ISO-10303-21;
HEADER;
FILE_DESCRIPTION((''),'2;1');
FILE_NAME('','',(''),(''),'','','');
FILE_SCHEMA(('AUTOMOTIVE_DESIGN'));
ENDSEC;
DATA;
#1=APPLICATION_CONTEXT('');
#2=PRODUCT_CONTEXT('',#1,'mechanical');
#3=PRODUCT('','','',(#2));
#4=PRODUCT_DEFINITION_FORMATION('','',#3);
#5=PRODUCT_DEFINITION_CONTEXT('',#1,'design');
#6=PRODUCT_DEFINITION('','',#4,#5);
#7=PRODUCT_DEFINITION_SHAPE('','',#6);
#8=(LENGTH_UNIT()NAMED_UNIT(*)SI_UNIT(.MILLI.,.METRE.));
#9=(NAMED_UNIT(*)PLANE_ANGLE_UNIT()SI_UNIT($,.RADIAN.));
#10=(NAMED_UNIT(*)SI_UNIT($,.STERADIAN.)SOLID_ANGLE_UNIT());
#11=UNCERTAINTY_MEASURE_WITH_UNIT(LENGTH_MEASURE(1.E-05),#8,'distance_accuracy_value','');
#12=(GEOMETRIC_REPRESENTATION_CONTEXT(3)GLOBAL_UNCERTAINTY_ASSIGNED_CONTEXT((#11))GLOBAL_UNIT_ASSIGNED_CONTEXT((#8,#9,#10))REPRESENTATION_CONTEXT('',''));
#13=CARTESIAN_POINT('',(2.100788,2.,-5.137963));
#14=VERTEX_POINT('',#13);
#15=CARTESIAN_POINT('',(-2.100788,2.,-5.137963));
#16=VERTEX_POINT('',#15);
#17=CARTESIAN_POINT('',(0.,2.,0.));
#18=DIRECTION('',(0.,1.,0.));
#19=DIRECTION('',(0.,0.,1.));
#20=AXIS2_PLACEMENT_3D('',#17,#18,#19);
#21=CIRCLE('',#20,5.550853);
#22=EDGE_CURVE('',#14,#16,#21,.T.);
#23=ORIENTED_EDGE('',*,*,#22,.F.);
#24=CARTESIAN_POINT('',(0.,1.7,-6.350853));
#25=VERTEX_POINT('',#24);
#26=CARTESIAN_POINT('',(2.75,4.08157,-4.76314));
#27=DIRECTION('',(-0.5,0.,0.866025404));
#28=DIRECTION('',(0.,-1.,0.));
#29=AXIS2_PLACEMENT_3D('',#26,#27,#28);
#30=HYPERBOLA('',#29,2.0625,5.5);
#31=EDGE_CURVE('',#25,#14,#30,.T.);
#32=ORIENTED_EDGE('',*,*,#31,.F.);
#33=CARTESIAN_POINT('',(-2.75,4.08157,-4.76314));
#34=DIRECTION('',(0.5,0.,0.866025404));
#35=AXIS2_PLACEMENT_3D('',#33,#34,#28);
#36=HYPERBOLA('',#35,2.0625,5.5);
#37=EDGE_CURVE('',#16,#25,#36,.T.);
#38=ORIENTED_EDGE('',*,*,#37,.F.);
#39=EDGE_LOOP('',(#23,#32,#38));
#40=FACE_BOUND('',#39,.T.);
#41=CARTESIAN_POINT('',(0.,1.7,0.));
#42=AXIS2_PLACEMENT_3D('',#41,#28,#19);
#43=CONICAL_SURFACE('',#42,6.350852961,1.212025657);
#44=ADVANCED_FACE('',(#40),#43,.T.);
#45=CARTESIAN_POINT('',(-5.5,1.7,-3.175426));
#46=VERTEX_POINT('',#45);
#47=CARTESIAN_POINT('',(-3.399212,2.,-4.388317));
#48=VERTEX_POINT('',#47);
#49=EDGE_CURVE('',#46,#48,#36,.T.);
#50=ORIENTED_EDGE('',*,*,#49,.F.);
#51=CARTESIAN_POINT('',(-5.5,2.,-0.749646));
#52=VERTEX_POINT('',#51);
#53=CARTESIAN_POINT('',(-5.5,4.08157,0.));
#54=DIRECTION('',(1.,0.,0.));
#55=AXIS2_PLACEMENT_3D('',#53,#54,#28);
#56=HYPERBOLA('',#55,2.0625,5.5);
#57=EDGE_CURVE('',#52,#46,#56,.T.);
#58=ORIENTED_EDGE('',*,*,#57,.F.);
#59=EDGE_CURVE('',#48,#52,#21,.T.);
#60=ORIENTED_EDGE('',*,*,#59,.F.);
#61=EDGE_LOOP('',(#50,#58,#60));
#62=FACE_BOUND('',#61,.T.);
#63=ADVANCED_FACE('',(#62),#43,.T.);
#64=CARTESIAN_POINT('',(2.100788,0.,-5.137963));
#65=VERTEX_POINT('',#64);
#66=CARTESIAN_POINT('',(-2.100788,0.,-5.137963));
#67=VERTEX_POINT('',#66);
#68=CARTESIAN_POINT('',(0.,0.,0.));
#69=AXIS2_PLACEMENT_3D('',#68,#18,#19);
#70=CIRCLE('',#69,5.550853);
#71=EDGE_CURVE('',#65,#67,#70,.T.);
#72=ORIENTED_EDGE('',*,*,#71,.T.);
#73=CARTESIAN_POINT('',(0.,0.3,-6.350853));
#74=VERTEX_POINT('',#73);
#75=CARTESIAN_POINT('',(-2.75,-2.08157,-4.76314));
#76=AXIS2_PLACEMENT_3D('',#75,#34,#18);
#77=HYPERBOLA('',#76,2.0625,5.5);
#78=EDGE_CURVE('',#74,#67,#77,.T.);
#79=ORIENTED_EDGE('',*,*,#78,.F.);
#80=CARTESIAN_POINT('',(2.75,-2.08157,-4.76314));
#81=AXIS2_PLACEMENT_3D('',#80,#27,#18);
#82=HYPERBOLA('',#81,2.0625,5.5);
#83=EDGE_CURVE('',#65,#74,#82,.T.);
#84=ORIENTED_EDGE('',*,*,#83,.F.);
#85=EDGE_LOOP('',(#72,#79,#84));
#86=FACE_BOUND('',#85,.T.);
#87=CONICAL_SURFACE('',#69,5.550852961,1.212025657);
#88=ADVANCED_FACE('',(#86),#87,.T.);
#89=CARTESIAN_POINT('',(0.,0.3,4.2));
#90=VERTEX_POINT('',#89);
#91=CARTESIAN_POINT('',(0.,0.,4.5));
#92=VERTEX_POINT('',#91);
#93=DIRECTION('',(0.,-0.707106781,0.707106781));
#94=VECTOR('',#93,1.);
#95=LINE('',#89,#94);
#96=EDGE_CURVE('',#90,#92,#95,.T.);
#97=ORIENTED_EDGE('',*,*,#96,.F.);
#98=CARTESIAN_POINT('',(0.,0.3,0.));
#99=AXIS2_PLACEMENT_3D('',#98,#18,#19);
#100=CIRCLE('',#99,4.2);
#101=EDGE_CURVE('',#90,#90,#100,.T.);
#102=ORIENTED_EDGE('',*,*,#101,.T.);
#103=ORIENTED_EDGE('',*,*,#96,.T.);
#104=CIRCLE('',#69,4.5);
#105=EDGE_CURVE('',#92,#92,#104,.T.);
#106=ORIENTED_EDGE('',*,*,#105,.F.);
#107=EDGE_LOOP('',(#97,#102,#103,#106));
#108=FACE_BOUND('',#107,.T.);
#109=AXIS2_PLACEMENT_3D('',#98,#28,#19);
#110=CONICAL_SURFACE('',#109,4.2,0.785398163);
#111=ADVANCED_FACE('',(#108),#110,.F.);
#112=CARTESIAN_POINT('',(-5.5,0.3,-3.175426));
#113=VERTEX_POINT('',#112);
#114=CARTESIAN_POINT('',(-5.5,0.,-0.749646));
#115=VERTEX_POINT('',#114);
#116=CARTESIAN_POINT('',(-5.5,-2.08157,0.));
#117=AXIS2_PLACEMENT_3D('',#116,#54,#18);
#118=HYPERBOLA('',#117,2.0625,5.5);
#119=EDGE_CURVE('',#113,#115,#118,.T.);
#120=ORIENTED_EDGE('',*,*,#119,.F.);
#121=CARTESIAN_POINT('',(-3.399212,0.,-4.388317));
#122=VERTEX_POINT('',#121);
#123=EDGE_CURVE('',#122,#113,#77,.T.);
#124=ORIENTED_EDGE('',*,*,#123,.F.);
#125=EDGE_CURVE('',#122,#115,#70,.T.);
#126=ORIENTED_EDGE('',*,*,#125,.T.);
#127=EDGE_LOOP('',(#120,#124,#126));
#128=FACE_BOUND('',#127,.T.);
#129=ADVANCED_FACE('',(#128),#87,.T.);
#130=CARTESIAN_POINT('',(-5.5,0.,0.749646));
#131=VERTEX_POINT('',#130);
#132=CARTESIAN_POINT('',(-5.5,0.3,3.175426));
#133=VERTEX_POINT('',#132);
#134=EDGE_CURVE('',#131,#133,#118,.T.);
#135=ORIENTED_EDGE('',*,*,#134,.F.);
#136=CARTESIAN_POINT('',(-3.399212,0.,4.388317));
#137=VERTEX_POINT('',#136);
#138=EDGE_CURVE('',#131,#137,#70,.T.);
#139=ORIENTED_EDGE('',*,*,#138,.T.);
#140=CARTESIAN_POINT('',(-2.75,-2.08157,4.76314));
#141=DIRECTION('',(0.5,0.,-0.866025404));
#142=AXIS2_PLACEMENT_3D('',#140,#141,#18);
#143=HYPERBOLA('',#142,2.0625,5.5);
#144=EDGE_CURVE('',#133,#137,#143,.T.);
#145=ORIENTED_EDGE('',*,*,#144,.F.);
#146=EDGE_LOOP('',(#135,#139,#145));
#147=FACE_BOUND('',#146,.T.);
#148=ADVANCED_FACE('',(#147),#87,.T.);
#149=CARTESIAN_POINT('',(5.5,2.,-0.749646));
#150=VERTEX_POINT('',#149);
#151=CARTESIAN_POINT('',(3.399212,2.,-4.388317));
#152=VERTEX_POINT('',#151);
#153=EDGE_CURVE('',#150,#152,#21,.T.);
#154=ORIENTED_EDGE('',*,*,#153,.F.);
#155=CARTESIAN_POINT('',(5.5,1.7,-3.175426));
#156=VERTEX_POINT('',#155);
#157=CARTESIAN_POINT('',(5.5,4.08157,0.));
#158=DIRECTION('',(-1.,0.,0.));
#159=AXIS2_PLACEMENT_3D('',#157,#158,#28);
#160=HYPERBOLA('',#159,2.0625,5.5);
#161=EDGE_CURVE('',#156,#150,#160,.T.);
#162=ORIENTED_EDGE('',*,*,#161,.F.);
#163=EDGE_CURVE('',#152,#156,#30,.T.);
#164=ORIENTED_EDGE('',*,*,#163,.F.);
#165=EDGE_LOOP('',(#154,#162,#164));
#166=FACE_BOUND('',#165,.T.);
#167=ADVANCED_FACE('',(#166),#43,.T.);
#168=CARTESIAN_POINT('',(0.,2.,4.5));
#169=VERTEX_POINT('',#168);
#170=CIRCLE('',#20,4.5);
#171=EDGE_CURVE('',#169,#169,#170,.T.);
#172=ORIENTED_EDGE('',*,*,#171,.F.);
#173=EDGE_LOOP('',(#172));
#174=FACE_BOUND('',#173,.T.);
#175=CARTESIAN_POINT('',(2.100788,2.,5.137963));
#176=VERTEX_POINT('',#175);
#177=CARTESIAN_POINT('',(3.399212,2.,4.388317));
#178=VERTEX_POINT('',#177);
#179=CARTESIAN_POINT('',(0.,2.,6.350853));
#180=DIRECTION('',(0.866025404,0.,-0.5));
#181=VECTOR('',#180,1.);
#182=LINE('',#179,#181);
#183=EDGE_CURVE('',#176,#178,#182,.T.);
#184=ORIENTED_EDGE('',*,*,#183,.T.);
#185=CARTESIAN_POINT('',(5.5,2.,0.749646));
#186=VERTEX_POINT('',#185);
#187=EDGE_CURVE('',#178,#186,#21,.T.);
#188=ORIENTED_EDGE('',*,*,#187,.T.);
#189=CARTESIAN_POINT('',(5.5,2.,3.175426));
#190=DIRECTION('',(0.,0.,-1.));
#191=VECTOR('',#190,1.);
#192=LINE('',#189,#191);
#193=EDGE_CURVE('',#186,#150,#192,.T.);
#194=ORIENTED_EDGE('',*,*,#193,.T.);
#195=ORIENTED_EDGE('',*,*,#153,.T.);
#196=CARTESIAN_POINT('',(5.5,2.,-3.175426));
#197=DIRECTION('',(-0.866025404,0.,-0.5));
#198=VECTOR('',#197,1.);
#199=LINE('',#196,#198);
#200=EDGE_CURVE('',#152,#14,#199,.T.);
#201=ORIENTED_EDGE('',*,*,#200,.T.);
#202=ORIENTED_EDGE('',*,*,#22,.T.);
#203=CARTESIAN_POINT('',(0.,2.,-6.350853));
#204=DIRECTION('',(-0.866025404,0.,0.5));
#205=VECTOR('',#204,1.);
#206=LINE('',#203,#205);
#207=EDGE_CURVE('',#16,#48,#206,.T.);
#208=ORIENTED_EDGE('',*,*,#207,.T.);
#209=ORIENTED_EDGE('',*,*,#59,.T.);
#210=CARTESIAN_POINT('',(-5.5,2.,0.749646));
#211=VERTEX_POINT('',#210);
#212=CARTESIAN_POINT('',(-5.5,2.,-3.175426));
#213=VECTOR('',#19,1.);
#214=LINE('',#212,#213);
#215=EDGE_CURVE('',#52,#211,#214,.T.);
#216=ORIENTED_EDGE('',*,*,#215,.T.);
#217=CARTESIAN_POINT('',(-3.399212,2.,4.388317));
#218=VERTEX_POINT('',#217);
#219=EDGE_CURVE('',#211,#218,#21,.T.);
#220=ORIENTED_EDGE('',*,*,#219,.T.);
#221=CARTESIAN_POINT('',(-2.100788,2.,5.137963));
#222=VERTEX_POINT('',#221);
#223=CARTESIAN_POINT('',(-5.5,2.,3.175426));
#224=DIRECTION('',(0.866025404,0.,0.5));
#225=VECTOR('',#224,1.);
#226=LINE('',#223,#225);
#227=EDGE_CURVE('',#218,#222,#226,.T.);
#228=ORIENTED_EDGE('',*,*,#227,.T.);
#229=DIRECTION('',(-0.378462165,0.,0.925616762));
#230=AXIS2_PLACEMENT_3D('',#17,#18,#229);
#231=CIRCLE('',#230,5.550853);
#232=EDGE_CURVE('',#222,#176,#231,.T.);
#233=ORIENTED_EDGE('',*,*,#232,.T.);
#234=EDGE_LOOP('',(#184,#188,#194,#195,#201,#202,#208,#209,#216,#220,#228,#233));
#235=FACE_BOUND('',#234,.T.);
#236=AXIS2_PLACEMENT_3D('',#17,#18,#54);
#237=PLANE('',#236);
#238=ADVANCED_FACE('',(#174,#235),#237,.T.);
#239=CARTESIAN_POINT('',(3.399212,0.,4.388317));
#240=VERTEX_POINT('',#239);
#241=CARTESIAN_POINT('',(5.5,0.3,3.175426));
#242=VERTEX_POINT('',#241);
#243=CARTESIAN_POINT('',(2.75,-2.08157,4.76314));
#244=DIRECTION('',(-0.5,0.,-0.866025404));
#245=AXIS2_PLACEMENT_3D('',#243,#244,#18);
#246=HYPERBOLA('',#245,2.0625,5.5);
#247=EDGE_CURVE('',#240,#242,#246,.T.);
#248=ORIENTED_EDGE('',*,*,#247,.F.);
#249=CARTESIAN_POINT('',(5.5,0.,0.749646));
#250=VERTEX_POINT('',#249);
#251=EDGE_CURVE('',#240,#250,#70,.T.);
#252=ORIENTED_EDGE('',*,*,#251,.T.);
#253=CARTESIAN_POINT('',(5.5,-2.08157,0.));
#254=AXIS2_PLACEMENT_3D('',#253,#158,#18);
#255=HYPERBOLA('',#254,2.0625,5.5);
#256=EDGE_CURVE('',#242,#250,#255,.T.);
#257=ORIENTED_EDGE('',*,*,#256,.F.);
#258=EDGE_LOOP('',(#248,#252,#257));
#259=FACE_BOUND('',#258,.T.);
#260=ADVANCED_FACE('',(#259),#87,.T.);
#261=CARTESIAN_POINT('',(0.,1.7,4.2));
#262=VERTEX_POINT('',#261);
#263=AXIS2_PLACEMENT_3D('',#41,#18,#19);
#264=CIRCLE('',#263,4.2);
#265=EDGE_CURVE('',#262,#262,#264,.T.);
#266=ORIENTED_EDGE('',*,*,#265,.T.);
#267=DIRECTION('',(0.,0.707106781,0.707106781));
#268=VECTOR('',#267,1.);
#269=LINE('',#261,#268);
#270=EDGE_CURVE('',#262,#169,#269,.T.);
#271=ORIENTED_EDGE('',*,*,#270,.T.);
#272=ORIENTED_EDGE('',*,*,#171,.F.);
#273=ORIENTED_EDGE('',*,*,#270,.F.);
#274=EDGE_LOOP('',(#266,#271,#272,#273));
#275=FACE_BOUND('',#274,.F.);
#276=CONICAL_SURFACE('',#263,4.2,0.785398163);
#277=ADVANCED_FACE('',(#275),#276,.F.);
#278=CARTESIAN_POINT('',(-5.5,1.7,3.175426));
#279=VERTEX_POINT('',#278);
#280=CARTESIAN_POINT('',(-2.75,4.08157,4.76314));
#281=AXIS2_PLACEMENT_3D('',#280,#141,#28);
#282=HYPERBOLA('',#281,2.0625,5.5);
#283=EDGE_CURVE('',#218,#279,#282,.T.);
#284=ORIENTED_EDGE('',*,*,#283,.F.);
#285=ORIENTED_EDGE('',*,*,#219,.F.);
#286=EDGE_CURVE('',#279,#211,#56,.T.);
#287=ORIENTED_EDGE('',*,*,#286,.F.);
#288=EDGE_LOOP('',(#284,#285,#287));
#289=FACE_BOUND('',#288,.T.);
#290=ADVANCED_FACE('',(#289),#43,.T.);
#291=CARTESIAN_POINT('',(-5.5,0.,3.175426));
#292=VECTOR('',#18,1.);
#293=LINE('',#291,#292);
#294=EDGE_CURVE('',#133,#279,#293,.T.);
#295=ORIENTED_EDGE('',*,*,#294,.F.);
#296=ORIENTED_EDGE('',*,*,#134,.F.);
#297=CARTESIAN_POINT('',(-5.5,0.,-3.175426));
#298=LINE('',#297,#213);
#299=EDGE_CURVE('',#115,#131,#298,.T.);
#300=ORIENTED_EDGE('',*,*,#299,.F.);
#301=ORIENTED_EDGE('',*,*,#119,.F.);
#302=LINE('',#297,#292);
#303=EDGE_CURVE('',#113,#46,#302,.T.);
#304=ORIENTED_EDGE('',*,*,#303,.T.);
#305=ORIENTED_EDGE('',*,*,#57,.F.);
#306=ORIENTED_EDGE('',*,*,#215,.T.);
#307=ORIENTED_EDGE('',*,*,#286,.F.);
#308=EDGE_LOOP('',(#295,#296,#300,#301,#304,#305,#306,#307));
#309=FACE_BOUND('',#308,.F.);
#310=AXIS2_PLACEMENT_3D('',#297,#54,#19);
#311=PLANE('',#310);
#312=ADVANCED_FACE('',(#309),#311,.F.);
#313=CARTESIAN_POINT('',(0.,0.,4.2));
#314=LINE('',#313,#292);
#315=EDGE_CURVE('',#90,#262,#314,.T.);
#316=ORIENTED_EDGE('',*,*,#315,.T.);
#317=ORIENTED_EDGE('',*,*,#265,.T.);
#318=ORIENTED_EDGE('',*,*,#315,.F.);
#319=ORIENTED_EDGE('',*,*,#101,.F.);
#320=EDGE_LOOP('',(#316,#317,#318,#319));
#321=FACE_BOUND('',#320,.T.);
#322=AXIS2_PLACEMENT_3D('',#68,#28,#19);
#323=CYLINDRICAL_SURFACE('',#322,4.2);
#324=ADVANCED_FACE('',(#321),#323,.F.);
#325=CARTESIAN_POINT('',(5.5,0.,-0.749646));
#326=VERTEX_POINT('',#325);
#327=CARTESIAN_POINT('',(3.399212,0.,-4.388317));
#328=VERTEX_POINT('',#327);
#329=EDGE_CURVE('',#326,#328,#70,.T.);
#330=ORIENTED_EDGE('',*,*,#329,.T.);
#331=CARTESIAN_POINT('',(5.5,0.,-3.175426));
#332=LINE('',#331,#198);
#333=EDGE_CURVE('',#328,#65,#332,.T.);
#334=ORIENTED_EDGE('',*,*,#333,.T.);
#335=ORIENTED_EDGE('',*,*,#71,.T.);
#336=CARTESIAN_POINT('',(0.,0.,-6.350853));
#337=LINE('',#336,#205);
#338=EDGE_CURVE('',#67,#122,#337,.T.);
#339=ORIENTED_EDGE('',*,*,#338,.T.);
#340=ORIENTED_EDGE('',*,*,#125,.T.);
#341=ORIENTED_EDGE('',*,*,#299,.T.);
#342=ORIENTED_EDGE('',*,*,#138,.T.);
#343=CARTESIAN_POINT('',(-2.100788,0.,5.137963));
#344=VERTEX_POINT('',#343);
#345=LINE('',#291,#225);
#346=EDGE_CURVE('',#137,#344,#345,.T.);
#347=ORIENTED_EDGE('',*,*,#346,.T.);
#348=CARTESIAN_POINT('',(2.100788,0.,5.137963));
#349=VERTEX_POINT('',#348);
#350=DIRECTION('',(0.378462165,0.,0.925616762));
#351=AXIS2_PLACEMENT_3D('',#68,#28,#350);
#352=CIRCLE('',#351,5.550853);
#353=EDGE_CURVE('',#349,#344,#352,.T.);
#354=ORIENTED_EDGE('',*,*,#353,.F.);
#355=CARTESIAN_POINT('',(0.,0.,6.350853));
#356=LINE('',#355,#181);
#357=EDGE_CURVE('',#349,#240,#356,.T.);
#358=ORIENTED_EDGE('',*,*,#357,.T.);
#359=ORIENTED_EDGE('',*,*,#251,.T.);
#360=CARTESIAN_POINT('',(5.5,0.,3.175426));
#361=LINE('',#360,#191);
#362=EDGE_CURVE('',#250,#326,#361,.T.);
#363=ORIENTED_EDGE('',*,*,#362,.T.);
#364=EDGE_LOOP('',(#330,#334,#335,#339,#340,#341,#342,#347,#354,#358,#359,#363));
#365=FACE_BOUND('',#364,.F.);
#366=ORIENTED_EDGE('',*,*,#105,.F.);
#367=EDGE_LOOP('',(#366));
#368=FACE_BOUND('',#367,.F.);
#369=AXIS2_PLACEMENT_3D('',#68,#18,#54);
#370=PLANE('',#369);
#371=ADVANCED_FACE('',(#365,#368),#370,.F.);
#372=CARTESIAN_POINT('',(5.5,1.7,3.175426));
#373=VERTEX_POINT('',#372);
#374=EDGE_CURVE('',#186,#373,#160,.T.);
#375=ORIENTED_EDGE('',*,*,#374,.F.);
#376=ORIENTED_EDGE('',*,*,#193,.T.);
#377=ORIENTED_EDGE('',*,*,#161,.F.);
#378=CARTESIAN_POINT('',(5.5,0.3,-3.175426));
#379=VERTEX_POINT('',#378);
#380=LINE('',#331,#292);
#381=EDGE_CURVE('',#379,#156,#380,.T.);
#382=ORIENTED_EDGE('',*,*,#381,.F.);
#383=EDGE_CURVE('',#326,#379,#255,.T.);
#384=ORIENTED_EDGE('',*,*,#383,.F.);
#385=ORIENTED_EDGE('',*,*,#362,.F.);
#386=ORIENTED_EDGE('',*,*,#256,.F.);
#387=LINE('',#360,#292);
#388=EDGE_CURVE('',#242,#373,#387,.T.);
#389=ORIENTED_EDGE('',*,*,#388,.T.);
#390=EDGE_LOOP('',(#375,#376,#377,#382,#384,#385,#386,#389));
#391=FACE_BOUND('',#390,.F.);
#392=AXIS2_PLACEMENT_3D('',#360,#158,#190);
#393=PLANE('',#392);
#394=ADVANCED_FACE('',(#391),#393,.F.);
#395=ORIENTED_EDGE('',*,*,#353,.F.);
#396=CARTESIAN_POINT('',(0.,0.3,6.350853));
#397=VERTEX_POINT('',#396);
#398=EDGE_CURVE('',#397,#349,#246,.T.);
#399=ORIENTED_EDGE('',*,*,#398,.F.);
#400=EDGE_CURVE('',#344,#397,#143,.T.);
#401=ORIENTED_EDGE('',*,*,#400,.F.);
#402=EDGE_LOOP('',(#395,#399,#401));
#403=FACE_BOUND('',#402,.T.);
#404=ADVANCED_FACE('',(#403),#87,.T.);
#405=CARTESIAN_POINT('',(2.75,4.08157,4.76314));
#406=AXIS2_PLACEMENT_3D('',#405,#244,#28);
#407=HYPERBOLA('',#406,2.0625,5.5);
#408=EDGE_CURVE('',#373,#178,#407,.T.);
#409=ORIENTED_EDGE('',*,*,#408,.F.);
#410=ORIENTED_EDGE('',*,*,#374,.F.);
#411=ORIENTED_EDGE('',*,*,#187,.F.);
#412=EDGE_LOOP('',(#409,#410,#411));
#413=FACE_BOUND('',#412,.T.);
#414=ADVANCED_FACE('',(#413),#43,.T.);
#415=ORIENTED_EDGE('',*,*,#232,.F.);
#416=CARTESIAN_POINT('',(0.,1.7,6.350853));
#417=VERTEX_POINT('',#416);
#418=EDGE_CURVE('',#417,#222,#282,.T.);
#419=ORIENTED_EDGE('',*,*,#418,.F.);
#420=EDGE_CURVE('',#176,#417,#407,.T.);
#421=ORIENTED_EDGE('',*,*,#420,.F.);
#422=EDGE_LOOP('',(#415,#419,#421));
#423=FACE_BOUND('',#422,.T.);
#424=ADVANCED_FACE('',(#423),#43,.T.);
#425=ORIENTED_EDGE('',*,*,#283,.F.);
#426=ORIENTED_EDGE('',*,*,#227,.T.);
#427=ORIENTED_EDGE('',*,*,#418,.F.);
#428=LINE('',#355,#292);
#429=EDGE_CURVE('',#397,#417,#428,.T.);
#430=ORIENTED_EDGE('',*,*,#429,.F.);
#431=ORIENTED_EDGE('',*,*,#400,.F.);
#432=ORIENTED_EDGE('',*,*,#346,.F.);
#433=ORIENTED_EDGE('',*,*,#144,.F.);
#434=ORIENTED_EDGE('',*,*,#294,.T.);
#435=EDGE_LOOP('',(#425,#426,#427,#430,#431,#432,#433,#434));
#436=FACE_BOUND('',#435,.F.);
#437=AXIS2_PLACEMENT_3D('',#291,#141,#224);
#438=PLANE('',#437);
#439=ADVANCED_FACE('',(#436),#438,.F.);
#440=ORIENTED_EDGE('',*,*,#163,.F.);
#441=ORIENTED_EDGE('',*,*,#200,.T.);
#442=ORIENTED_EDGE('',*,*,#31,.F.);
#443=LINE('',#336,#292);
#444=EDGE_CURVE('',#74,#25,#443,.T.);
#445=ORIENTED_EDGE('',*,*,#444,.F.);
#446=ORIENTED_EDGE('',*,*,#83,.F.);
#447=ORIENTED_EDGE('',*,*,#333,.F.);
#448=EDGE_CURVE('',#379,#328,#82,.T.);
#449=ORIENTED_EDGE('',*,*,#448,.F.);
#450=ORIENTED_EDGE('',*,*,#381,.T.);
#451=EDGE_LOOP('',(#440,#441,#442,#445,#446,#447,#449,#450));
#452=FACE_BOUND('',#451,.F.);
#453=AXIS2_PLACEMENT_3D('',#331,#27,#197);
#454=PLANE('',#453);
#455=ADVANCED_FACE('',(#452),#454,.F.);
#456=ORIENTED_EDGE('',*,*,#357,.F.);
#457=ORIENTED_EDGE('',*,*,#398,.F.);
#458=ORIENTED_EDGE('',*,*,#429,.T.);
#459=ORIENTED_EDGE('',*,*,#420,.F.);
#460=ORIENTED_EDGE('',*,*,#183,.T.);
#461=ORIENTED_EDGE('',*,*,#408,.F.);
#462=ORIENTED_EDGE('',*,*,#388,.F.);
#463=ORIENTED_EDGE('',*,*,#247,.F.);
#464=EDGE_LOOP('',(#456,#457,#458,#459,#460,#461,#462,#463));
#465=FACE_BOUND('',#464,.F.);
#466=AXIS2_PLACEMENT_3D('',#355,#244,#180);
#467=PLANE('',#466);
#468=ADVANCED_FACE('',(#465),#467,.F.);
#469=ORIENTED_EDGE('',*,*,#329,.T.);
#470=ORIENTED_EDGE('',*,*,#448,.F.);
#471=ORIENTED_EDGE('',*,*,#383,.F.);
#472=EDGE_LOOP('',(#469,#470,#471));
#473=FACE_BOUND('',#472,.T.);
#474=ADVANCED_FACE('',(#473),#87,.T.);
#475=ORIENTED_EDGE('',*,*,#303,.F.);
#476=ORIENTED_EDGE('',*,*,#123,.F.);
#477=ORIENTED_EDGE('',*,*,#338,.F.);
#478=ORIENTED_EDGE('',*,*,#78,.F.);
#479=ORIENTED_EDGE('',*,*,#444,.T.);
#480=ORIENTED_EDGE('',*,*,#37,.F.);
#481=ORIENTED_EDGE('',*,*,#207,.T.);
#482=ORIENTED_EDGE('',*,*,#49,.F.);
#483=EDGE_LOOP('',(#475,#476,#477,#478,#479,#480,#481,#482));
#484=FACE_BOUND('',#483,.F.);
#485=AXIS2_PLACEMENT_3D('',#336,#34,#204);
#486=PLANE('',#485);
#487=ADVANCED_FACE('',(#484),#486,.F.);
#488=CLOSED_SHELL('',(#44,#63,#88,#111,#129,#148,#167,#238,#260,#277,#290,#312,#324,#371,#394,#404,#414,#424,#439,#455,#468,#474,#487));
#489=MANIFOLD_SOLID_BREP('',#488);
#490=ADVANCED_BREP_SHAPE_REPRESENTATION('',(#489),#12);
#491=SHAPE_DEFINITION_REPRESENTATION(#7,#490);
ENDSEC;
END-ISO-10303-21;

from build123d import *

# Parameters (mm, degrees)
SKETCH1_R           = 4.2
BOSS_EXTRUDE1_DEPTH = 2
CHAMFER1_SIZE       = 0.3


with BuildPart() as part:
    # Sketch1 → Boss-Extrude1 (new body)
    with BuildSketch(Plane(origin=(0, 0, 0), x_dir=(1, 0, 0), z_dir=(0, 1, 0))):
        Polygon((0, 6.350852961), (-5.5, 3.175426481), (-5.5, -3.175426481), (0, -6.350852961), (5.5, -3.175426481), (5.5, 3.175426481), align=None)
        with Locations(Location((0, 0, 0), (0, 0, 270))):
            Circle(SKETCH1_R, mode=Mode.SUBTRACT)
    extrude(amount=BOSS_EXTRUDE1_DEPTH)

    # Chamfer1
    chamfer1_edges = [part.edges().sort_by_distance(p)[0] for p in [
        (0, 0, -4.2),
        (0, 2, -4.2),
    ]]
    chamfer(chamfer1_edges, length=CHAMFER1_SIZE)

    # Sketch3 → Cut-Revolve1 (revolve, cut)
    with BuildSketch(Plane(origin=(0, 0, 0), x_dir=(0, 0, -1), z_dir=(1, 0, 0))):
        Polygon((-6.350852961, 0), (-5.550852961, 0), (-6.350852961, 0.3), align=None)
        Polygon((-6.350852961, 2), (-6.350852961, 1.7), (-5.550852961, 2), align=None)
    revolve(axis=Axis((0, 0, 0), (0, 1, 0)), mode=Mode.SUBTRACT)


solid = part.part
